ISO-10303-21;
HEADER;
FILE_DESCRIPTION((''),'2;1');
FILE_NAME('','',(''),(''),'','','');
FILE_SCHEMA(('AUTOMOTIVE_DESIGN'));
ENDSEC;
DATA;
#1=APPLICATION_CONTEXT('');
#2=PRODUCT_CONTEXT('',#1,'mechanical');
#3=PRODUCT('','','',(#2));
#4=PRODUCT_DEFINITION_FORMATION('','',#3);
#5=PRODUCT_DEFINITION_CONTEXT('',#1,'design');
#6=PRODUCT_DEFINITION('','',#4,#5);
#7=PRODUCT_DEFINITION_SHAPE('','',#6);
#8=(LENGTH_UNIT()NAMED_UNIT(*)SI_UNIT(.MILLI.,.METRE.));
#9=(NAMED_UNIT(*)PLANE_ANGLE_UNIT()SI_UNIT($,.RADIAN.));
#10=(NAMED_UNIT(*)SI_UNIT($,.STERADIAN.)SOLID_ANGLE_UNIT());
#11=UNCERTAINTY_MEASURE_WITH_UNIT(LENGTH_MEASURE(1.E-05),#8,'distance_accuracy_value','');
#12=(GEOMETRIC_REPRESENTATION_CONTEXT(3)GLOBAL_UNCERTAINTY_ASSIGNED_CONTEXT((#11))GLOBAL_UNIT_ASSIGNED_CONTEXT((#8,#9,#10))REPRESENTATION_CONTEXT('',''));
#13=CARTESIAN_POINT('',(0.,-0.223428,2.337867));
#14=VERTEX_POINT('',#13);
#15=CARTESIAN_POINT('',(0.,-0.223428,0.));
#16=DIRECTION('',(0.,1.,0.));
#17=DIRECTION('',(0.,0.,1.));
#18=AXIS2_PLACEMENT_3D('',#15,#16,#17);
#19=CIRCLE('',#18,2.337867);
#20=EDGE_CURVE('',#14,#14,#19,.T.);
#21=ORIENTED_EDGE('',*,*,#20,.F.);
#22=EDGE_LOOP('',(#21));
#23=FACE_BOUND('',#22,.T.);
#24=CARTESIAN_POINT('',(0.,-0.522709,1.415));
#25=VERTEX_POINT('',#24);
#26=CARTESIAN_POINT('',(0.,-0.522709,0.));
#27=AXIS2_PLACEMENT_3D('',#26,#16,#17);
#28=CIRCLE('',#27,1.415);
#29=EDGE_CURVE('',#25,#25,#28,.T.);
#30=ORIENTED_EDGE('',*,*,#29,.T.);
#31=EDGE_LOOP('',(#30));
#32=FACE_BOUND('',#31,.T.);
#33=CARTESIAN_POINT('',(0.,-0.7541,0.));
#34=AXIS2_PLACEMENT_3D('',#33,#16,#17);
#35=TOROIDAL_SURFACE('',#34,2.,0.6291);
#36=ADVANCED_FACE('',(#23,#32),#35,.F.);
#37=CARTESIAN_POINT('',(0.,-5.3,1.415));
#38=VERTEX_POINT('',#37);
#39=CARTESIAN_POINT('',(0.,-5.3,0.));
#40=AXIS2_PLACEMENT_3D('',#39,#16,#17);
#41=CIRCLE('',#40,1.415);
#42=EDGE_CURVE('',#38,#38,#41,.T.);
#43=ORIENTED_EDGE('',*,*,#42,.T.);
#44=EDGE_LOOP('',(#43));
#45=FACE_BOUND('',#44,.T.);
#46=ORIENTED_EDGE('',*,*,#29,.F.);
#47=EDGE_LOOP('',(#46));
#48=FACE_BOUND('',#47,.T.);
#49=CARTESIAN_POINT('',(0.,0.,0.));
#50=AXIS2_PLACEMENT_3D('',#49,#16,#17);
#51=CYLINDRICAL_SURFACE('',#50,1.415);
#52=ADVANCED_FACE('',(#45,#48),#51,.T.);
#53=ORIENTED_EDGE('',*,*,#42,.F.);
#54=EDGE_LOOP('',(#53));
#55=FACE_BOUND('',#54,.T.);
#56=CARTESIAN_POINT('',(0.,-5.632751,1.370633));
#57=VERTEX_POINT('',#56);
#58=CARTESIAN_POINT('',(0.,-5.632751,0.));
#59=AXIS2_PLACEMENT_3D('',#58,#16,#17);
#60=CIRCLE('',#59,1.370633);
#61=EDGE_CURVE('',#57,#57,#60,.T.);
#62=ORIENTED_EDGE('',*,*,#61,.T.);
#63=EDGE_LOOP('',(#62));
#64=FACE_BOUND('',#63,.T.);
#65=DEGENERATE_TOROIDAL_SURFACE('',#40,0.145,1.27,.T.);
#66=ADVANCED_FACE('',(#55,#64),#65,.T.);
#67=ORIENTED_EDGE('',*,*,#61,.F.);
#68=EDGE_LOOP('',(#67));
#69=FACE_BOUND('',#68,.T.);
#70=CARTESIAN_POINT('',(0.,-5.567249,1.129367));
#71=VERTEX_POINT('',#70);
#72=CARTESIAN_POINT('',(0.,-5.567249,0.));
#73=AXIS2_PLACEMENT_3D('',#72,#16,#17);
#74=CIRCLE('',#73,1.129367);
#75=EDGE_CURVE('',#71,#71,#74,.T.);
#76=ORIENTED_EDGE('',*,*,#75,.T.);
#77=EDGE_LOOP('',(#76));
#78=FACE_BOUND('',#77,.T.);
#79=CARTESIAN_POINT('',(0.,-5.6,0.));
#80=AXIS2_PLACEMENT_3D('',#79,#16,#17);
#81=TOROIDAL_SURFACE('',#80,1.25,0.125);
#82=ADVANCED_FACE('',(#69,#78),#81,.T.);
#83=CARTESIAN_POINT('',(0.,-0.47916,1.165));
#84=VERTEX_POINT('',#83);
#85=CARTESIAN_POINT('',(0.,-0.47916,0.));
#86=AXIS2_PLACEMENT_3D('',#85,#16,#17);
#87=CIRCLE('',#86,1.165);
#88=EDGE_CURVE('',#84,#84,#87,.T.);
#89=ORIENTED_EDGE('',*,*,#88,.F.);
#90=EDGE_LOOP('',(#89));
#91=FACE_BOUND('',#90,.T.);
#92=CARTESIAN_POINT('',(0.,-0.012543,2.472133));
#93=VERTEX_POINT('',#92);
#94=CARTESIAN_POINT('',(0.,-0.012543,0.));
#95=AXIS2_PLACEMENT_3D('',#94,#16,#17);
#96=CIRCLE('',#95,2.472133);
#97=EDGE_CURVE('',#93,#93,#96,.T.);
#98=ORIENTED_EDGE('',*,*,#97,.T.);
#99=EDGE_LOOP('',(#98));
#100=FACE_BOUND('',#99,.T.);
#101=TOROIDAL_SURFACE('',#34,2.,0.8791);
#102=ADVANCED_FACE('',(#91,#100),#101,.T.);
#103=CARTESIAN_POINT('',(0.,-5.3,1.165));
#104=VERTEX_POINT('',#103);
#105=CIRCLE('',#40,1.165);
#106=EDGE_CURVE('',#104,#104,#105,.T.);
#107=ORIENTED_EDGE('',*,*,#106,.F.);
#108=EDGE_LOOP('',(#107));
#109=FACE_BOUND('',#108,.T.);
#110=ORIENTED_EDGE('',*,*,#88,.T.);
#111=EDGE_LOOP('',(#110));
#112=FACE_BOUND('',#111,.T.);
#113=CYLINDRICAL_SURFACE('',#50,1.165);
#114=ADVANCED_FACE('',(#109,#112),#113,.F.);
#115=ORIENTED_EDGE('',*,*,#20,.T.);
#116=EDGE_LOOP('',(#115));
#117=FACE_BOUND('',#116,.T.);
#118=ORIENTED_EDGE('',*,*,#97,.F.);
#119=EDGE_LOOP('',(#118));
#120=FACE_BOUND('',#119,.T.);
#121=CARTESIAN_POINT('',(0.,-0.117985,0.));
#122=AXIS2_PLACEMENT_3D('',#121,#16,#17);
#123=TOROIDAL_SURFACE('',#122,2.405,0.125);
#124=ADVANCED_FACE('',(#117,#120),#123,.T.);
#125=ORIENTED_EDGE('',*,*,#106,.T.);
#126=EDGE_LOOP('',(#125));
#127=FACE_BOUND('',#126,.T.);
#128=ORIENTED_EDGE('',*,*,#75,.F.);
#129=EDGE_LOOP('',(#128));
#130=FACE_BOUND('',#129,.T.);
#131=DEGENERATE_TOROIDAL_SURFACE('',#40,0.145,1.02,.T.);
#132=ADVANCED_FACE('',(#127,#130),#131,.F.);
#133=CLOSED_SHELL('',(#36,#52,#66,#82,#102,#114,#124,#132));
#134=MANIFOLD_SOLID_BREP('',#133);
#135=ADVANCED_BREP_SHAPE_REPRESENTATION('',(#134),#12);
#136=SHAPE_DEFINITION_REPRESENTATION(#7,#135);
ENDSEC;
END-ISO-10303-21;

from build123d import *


with BuildPart() as part:
    # Sketch1 → Revolve1 (revolve)
    with BuildSketch(Plane(origin=(0, 0, 0), x_dir=(0, 0, -1), z_dir=(1, 0, 0)), mode=Mode.PRIVATE) as revolve1_sk:
        with BuildLine():
            Line((1.165, -0.479160352), (1.165, -5.3))
            ThreePointArc((1.165, -5.3), (1.156052459, -5.434806994), (1.129366812, -5.567248908))
            ThreePointArc((1.129366812, -5.567248908), (1.217248908, -5.720633188), (1.370633188, -5.632751092))
            ThreePointArc((1.370633188, -5.632751092), (1.403859434, -5.467847925), (1.415, -5.3))
            Line((1.415, -5.3), (1.415, -0.522708967))
            ThreePointArc((1.415, -0.522708967), (1.805935718, -0.155680528), (2.337866994, -0.223428063))
            ThreePointArc((2.337866994, -0.223428063), (2.510442683, -0.185118386), (2.472133006, -0.012542696))
            ThreePointArc((2.472133006, -0.012542696), (1.704447766, 0.073828552), (1.165, -0.479160352))
        make_face()
    revolve(revolve1_sk.sketch.rotate(Axis((0, 0, 0), (0, -1, 0)), 180), axis=Axis((0, 0, 0), (0, -1, 0)))


solid = part.part
